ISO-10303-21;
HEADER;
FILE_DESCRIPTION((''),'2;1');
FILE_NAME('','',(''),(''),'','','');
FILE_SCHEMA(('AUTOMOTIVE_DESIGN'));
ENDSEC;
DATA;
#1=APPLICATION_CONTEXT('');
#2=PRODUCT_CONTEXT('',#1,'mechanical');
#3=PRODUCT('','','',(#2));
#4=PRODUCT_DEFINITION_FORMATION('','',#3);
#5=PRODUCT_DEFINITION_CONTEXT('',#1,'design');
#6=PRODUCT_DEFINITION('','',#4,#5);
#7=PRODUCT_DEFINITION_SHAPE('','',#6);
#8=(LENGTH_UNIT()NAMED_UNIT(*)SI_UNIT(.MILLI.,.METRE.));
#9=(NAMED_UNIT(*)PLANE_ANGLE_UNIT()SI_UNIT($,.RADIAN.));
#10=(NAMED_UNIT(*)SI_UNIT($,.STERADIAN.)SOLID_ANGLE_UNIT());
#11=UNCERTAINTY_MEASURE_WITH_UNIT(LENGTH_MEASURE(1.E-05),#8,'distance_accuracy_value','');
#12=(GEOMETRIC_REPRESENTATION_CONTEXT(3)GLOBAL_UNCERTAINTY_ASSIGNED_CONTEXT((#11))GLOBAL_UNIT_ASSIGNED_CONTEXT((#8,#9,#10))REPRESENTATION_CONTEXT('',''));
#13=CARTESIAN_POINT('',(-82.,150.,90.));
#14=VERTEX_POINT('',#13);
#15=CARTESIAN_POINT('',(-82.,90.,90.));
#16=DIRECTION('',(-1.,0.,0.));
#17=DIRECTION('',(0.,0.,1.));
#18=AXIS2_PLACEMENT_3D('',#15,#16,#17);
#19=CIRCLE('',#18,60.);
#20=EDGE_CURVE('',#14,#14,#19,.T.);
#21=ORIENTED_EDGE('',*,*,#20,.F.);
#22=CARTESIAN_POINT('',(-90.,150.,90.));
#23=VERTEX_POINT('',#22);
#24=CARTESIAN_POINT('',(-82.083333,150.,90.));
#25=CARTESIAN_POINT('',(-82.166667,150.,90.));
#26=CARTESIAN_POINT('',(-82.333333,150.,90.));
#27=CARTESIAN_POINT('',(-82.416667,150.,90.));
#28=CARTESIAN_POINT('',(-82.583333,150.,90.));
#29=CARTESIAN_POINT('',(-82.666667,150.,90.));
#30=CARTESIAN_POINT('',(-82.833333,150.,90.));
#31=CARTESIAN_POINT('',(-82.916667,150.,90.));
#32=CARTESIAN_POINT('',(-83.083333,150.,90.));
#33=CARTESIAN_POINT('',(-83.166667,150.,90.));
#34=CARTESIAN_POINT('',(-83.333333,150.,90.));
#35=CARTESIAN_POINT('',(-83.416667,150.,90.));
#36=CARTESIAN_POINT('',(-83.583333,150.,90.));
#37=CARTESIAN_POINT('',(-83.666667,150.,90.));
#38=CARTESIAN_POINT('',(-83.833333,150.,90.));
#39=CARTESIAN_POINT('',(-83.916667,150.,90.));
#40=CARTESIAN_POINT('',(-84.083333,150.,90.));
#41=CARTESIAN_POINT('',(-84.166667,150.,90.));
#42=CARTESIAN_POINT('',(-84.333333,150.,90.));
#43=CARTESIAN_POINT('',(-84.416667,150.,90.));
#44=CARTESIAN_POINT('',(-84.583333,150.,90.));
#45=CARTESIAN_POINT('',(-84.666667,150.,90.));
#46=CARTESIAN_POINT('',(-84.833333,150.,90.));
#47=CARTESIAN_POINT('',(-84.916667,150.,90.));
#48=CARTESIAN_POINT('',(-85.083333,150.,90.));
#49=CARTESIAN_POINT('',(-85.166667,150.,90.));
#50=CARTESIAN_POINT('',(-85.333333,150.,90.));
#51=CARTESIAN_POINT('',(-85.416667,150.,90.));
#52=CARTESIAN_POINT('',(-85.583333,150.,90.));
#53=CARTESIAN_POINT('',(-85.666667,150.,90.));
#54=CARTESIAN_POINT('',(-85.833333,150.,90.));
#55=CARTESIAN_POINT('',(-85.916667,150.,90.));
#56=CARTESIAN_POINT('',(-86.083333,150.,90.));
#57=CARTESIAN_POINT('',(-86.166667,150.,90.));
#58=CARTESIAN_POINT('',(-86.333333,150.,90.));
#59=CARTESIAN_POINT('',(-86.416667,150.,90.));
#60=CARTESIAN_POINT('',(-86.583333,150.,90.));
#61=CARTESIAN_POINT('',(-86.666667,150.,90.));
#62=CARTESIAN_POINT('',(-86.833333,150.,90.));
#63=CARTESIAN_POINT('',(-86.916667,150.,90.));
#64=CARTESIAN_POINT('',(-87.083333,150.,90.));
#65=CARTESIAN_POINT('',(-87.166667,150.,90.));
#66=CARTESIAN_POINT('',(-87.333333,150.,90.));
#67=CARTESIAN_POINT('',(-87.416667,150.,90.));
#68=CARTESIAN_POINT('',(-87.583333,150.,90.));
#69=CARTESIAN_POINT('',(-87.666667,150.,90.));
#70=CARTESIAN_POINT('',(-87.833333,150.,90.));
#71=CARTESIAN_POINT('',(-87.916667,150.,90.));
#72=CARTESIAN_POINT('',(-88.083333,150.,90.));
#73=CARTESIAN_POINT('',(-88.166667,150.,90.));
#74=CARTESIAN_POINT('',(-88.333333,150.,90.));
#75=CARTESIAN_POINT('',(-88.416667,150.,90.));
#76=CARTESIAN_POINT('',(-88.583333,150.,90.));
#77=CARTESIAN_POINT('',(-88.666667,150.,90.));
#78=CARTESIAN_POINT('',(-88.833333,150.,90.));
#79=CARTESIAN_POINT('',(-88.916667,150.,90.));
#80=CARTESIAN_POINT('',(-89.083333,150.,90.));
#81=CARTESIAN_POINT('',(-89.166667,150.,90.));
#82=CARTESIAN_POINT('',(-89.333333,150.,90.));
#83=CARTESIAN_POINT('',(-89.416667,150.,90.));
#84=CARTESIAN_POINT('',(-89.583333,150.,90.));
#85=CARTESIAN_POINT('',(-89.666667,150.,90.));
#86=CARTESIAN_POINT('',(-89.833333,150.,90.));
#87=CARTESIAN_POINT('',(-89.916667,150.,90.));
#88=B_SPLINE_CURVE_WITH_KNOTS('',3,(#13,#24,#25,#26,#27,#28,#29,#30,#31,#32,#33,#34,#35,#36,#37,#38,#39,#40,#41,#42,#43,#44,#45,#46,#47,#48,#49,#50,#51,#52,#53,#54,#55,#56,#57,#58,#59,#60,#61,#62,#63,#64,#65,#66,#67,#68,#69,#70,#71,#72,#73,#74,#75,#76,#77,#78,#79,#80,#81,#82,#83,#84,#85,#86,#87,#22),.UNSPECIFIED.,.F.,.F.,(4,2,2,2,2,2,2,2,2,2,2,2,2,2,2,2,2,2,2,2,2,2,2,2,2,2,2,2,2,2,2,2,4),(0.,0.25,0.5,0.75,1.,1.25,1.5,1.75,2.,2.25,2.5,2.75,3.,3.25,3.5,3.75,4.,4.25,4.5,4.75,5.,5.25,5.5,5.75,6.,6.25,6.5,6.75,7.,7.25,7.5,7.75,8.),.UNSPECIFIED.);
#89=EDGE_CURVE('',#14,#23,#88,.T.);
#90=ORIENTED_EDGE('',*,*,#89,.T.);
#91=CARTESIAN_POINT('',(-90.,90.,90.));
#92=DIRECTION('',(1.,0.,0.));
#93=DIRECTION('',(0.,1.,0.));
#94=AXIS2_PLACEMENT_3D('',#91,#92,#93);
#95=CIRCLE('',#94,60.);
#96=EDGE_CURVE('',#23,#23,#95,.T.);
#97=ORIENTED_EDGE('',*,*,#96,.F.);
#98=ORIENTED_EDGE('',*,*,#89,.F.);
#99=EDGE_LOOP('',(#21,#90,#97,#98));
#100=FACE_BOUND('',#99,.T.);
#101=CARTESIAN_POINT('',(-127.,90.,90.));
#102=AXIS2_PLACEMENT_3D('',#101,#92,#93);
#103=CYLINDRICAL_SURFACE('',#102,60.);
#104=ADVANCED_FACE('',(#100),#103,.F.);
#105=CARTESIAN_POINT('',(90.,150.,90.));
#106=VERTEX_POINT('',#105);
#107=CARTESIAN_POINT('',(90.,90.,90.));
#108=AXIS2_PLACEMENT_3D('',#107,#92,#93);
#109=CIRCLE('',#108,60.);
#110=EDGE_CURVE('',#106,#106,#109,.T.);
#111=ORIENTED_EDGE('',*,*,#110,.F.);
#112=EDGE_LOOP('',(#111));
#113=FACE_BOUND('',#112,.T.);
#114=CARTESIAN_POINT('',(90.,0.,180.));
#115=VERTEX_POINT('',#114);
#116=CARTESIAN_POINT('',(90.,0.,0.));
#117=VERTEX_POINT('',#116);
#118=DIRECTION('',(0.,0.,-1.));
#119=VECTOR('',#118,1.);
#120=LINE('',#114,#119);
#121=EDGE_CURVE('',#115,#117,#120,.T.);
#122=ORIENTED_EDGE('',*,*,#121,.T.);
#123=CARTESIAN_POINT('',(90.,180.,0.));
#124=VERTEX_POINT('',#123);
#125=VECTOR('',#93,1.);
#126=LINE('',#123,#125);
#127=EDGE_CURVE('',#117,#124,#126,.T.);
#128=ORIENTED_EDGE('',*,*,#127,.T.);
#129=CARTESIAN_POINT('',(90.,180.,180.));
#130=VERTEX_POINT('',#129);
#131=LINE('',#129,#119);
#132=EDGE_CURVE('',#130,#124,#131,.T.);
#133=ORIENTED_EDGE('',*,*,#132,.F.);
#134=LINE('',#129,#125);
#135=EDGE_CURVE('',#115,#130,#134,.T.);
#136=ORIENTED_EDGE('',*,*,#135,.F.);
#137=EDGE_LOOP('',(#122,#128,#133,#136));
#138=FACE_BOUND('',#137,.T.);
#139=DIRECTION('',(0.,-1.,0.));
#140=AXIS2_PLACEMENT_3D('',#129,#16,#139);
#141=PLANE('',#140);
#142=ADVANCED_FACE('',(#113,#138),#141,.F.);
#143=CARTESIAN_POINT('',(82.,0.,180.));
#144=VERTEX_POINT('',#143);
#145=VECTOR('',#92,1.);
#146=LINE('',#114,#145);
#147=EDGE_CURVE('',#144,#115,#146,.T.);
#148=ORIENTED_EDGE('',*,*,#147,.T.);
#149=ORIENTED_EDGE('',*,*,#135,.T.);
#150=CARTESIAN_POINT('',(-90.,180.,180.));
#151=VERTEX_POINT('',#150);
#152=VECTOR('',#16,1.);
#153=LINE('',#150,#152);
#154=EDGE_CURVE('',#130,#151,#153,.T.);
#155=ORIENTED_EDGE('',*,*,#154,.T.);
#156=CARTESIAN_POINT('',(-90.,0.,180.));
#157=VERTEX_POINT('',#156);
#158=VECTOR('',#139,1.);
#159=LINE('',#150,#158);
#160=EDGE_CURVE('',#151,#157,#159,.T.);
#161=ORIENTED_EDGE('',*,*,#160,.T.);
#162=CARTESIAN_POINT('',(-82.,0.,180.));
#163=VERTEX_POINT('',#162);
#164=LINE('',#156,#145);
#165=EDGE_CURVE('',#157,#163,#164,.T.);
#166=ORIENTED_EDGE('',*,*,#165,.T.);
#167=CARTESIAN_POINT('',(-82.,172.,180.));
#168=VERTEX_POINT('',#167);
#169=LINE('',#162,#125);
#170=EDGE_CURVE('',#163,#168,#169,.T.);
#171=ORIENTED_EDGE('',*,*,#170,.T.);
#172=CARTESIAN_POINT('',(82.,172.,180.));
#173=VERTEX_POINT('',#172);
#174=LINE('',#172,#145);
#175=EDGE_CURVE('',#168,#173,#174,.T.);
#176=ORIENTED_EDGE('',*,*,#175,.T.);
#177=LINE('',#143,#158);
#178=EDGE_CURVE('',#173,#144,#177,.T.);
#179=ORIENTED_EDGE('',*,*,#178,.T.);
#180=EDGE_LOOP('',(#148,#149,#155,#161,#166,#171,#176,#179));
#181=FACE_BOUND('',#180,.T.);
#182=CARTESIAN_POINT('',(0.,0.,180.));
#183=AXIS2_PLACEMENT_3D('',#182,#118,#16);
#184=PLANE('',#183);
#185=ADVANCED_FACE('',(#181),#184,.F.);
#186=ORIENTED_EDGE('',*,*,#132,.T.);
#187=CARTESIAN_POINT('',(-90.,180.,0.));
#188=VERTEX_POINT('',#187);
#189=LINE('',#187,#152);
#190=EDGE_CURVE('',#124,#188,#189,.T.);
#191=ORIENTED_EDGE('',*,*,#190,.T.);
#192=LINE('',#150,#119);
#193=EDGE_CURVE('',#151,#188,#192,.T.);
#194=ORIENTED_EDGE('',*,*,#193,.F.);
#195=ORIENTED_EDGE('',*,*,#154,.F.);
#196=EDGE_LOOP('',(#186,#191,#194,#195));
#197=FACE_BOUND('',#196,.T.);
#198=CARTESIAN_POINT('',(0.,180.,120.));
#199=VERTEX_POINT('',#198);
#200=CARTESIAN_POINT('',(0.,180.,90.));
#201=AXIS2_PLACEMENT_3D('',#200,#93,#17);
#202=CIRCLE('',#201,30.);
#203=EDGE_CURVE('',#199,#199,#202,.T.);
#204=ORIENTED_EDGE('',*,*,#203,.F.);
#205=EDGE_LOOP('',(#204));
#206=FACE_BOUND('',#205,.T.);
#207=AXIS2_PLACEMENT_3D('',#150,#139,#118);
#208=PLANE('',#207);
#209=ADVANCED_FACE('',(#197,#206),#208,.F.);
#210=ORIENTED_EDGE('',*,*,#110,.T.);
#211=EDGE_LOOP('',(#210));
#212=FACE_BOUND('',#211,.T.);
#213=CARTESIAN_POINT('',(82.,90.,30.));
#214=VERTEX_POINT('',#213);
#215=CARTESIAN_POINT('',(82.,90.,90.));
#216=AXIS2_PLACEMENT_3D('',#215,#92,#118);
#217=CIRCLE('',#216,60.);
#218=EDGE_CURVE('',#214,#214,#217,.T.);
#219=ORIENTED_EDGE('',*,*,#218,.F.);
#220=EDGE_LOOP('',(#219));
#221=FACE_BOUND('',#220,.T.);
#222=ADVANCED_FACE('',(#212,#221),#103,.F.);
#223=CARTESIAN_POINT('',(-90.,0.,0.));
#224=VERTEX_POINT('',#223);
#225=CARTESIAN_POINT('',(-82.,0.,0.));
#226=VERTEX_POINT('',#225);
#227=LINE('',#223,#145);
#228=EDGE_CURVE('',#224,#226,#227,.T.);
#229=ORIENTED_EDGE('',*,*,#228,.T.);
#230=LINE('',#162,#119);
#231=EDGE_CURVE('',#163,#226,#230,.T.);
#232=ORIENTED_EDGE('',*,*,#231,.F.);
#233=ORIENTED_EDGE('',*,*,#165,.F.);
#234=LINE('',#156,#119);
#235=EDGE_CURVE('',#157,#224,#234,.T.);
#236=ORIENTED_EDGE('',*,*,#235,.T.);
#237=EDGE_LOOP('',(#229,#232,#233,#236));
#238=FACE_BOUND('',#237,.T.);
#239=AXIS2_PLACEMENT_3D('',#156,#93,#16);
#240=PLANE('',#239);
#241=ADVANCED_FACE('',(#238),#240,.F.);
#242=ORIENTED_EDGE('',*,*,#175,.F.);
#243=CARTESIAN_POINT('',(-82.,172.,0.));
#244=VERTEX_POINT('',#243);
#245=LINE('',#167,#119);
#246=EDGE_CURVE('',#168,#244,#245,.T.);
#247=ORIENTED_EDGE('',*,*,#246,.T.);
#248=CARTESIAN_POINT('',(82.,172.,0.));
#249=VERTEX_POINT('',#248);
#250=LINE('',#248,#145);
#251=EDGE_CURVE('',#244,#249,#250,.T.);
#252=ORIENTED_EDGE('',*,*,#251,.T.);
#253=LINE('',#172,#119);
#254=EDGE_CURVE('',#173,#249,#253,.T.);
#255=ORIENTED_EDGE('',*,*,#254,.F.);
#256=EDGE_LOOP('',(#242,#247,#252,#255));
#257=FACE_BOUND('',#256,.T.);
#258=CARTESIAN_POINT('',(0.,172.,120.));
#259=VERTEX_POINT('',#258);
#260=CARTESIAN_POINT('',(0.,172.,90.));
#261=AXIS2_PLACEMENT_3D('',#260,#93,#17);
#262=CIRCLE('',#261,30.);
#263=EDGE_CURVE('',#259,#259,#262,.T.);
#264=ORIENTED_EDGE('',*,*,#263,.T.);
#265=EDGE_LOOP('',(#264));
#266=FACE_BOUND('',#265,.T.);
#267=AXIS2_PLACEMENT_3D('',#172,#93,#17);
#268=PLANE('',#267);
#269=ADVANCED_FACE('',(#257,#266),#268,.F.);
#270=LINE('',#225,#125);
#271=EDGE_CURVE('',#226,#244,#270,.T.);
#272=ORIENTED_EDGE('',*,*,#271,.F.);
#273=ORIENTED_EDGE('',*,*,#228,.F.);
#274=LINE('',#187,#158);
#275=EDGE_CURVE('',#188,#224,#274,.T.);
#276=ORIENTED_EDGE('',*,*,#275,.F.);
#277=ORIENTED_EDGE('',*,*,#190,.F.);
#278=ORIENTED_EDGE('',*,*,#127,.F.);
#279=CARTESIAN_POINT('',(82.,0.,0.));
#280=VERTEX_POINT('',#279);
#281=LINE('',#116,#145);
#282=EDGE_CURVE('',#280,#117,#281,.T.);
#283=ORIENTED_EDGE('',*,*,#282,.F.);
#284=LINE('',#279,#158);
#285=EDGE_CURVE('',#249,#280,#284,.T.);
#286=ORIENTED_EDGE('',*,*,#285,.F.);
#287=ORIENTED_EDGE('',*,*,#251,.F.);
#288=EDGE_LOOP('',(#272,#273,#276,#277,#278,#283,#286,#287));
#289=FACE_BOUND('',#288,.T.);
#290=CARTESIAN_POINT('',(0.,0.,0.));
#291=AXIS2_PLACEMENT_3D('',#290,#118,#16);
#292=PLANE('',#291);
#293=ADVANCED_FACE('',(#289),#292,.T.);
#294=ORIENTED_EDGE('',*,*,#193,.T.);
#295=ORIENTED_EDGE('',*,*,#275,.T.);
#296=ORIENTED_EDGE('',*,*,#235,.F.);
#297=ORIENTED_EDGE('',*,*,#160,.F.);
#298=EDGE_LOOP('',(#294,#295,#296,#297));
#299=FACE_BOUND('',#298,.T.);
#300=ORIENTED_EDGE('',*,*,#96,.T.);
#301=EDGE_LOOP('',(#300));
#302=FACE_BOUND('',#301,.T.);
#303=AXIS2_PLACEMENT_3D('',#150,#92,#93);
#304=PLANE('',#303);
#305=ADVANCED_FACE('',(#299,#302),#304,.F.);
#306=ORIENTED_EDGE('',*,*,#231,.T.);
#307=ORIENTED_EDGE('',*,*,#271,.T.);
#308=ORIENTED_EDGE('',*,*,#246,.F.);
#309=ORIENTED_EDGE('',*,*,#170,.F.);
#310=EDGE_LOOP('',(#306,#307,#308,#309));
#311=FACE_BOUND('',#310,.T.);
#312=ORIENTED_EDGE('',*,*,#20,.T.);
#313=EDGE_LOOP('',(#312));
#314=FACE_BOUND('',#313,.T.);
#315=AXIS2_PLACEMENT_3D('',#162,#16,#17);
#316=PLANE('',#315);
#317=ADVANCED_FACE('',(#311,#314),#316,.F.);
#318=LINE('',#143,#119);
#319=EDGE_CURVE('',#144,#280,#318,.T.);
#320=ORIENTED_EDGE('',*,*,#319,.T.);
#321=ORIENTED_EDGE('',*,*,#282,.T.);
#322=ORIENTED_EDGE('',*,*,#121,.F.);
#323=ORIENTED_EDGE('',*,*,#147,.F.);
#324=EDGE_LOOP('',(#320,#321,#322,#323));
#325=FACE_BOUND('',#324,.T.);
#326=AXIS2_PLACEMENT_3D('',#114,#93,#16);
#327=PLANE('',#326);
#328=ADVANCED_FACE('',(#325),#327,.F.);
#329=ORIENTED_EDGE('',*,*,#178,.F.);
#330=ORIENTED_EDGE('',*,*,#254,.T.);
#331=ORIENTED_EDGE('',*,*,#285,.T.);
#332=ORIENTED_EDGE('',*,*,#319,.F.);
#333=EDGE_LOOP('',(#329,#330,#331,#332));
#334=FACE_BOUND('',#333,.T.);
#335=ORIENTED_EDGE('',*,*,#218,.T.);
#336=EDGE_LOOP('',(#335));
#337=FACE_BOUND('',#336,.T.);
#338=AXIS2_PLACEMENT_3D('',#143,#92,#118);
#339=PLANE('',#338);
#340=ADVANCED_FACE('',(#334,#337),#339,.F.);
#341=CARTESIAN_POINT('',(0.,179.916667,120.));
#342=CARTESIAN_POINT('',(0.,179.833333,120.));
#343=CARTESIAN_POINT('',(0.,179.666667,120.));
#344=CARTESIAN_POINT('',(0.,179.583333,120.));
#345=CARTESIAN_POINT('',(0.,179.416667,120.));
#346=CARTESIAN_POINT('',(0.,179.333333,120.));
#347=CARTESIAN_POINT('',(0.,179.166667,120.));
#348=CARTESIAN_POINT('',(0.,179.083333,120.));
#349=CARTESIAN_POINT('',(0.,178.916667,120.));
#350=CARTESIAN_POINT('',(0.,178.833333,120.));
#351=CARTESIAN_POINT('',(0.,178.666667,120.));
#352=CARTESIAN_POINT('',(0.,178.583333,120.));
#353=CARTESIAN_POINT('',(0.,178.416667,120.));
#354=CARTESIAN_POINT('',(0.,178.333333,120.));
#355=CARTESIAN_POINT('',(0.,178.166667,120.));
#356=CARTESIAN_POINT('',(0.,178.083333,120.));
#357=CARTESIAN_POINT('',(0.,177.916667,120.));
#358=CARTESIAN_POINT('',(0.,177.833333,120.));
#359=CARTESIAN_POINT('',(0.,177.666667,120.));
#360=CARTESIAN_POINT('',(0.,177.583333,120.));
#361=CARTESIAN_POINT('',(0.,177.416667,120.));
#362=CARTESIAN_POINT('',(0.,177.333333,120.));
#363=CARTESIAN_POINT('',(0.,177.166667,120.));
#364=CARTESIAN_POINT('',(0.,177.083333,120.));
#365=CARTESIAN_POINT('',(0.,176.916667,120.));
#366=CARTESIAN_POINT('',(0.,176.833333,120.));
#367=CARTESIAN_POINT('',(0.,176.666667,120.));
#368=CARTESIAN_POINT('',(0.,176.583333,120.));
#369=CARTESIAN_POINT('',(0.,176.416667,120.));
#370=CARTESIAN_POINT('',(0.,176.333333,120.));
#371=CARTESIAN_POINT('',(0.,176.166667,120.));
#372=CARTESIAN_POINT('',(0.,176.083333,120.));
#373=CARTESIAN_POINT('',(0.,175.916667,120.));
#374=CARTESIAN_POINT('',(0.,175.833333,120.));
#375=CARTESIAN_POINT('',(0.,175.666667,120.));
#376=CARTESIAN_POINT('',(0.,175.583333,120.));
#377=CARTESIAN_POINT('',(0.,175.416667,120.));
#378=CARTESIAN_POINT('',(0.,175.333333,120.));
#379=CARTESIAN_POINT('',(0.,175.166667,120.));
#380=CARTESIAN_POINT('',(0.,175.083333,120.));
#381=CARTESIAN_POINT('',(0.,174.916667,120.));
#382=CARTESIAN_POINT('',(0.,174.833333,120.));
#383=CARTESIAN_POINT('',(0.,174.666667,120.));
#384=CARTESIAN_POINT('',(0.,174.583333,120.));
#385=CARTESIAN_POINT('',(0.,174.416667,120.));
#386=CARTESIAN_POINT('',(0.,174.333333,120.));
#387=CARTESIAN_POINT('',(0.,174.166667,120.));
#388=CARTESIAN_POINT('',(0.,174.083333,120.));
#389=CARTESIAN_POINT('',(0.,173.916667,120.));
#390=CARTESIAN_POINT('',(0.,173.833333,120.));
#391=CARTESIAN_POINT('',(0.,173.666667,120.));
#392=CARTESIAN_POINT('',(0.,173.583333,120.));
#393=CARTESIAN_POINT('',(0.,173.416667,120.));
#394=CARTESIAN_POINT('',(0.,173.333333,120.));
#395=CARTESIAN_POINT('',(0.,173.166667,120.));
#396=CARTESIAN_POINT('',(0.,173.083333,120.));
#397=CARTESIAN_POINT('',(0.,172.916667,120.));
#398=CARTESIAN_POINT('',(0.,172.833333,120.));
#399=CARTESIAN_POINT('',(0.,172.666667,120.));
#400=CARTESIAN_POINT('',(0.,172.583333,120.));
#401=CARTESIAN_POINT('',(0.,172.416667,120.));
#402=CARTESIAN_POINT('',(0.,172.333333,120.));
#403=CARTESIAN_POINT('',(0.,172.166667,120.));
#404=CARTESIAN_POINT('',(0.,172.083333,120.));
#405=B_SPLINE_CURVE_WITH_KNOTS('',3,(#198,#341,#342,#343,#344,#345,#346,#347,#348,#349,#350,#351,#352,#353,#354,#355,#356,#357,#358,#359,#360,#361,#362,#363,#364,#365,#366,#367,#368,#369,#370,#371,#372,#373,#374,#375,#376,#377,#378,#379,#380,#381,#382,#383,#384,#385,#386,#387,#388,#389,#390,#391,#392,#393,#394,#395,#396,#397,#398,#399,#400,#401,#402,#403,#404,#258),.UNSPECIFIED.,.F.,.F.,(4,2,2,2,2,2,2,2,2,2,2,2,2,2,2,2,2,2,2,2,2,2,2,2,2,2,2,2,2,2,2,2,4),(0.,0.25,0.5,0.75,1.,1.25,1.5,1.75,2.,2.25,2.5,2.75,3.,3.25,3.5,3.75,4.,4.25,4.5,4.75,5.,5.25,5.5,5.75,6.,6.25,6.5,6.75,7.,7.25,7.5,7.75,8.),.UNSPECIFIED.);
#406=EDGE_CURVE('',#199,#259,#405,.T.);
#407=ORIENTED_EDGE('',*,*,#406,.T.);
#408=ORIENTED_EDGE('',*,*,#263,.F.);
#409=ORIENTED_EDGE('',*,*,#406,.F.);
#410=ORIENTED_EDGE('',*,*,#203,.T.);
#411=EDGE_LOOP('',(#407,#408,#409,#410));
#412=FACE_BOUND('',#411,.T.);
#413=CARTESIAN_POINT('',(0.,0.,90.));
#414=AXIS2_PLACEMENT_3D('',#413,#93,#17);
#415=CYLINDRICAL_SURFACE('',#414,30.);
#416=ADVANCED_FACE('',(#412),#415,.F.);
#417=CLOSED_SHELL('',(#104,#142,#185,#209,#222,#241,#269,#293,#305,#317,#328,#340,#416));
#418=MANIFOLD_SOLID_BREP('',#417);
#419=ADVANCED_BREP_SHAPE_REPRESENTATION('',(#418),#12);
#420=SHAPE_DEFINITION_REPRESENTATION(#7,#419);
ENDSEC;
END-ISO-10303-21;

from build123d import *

# Parameters (mm, degrees)
EXTRUDE_1_DEPTH     = 180
SKETCH_2_R          = 30
CUT_EXTRUDE_1_DEPTH = 180
SKETCH_3_R          = 60
CUT_EXTRUDE_2_DEPTH = 217


with BuildPart() as part:
    # 草图1 → 凸台-拉伸1 (new body)
    with BuildSketch(Plane.XY):
        Polygon((-90, 180), (90, 180), (90, 0), (82, 0), (82, 172), (-82, 172), (-82, 0), (-90, 0), align=None)
    extrude(amount=EXTRUDE_1_DEPTH)

    # 草图2 → 切除-拉伸1 (cut)
    with BuildSketch(Plane(origin=(0, 180, 0), x_dir=(1, 0, 0), z_dir=(0, 1, 0))):
        with Locations(Location((0, -90, 0), (0, 0, 270))):
            Circle(SKETCH_2_R)
    extrude(amount=-CUT_EXTRUDE_1_DEPTH, mode=Mode.SUBTRACT)

    # 草图3 → 切除-拉伸2 (cut)
    with BuildSketch(Plane(origin=(90, 0, 0), x_dir=(0, 0, -1), z_dir=(1, 0, 0))):
        with Locations(Location((-90, 90, 0), (0, 0, 90))):
            Circle(SKETCH_3_R)
    extrude(amount=-CUT_EXTRUDE_2_DEPTH, mode=Mode.SUBTRACT)


solid = part.part
